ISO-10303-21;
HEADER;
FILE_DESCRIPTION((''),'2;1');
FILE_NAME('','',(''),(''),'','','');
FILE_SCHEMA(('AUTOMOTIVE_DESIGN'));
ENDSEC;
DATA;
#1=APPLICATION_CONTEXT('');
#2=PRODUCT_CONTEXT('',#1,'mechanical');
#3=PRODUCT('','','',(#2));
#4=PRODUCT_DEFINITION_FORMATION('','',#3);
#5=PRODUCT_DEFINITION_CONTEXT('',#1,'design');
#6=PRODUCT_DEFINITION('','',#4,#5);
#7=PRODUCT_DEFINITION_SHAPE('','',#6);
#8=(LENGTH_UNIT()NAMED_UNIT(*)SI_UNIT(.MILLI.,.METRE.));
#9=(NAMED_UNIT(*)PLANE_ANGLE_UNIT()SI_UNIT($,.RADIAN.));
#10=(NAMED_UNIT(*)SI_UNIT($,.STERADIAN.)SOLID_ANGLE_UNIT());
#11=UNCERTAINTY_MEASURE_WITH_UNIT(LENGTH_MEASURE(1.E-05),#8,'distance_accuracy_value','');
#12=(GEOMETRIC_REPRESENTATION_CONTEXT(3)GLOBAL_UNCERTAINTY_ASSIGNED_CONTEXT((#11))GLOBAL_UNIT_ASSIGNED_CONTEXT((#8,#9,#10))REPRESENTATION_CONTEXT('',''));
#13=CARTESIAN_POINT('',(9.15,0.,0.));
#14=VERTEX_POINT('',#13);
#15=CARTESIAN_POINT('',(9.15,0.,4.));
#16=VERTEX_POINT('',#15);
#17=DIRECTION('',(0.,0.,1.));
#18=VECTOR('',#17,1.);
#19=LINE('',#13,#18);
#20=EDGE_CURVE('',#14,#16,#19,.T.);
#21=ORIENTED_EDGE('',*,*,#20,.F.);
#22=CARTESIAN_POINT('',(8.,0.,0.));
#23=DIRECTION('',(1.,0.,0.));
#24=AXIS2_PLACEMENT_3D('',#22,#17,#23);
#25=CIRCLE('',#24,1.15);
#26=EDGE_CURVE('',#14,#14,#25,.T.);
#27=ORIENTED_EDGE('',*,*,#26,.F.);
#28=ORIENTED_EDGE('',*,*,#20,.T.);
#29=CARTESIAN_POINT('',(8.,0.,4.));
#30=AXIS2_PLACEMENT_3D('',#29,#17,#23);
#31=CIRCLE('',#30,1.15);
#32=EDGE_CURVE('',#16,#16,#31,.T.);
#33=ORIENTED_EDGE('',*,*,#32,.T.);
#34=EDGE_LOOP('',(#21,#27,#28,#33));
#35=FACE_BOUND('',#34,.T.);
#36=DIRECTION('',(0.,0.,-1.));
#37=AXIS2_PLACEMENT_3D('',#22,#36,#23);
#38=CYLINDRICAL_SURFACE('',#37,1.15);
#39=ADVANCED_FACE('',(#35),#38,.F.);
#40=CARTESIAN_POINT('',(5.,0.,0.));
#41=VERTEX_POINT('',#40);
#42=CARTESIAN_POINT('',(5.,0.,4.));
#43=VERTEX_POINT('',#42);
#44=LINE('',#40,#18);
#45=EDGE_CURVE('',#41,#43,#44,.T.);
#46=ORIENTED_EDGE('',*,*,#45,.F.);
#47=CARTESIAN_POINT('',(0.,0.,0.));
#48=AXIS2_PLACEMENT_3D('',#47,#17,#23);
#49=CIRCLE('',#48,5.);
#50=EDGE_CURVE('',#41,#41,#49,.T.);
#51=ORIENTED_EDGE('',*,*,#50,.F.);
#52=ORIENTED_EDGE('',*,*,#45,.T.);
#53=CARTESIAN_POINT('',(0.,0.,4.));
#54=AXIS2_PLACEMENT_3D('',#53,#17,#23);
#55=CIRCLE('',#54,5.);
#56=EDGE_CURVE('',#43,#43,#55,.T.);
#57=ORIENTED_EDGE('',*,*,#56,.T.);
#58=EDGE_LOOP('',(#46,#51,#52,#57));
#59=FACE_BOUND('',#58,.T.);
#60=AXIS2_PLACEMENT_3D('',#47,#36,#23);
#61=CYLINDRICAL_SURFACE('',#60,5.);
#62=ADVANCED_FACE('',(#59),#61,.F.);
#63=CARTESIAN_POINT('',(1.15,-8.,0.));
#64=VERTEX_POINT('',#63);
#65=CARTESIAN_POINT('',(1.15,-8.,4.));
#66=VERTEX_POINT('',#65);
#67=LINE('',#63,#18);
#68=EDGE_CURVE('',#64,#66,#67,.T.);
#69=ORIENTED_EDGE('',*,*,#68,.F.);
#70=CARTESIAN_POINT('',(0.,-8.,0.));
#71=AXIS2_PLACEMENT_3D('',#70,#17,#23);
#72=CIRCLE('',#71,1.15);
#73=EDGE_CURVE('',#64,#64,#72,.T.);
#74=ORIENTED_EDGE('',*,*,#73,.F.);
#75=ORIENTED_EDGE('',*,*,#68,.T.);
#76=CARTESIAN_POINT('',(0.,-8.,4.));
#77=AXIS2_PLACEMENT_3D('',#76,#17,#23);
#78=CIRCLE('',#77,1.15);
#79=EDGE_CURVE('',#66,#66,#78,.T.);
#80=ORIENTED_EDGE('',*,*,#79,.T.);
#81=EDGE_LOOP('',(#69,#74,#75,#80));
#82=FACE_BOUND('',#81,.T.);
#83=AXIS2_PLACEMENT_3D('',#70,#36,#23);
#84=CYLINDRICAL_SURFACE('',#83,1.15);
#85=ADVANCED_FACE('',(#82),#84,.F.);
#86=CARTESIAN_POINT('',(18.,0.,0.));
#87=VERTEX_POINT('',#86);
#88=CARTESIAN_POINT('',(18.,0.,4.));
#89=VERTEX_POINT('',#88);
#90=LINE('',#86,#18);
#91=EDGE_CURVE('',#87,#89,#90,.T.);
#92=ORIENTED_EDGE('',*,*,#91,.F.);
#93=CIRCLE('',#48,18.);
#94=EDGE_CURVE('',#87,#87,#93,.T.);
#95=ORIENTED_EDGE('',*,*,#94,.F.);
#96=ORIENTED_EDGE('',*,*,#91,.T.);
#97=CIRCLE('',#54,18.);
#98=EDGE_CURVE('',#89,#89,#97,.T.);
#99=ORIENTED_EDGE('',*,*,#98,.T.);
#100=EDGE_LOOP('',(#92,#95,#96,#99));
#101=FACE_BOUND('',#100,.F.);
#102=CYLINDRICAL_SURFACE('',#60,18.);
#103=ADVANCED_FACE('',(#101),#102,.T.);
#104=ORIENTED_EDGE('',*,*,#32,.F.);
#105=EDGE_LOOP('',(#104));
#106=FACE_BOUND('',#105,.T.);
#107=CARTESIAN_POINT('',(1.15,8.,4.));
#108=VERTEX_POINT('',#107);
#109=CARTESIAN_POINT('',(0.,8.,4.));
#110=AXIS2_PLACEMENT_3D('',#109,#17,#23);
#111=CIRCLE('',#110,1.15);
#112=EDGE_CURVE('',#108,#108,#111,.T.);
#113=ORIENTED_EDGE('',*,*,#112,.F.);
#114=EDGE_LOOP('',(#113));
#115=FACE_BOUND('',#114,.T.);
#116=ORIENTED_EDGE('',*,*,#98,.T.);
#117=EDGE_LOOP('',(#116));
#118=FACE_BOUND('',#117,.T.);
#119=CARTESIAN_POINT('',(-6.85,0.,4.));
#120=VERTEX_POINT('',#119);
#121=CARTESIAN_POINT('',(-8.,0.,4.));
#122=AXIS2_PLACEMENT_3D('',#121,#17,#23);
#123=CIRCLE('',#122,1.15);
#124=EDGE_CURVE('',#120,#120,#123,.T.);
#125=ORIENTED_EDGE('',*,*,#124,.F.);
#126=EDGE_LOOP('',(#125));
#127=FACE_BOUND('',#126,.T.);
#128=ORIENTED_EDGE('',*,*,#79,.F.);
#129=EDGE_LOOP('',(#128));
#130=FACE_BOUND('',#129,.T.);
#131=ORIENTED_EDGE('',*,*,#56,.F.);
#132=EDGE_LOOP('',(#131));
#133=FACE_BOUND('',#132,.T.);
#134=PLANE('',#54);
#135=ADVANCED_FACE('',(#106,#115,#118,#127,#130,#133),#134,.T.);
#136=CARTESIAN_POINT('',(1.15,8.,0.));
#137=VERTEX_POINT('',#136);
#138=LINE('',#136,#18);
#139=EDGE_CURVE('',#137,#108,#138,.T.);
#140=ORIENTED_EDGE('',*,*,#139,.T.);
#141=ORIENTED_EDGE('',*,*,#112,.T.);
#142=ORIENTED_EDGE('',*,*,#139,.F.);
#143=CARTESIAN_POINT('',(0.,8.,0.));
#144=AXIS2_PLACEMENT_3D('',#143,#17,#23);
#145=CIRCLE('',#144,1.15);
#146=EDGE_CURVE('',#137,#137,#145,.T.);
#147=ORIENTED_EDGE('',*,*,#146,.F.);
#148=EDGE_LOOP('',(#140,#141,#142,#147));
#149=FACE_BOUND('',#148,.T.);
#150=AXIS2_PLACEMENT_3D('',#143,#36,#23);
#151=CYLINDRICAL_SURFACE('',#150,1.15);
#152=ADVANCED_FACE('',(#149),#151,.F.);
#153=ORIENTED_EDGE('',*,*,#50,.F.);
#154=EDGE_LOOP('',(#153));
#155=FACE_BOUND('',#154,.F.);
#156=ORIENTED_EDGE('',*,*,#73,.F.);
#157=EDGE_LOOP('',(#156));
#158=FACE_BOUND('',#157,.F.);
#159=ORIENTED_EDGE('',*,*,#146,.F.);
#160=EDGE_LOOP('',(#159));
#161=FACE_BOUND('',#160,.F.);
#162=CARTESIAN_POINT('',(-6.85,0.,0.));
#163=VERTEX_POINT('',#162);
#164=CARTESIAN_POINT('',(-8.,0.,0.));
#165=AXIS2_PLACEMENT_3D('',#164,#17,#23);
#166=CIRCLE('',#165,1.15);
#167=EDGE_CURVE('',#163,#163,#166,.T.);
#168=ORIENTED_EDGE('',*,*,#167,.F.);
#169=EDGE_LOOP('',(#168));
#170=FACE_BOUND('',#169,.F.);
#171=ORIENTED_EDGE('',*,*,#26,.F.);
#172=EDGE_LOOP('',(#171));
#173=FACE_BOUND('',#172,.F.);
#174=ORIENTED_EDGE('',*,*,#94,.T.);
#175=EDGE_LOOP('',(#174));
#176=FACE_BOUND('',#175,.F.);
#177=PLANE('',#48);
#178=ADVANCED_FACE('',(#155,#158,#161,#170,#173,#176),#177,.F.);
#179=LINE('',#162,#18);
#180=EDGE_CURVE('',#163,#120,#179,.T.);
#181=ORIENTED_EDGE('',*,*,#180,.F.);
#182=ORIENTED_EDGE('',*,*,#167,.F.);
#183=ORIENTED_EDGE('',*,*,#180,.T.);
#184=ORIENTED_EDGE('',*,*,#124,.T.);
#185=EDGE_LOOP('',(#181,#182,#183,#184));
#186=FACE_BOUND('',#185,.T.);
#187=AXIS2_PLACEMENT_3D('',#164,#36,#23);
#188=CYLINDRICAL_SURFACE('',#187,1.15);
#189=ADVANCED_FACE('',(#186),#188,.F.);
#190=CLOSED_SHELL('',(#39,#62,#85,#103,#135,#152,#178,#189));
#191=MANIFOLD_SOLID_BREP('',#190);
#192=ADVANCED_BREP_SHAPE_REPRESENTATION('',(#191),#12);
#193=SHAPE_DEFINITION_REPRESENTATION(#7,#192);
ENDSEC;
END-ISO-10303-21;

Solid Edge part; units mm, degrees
sketch "Sketch1" plane through (0, 0, 0) normal (0, 0, 1) x (1, 0, 0)
  circle A0 centre (0, 0) radius 18
  circle A1 centre (0, 0) radius 5
  circle A2 centre (8, 0) radius 1.15
  circle A3 centre (0, 8) radius 1.15
  circle A4 centre (-8, 0) radius 1.15
  circle A5 centre (0, -8) radius 1.15
extrude "Protrusion1" add sketch "Sketch1" along normal blind 4
